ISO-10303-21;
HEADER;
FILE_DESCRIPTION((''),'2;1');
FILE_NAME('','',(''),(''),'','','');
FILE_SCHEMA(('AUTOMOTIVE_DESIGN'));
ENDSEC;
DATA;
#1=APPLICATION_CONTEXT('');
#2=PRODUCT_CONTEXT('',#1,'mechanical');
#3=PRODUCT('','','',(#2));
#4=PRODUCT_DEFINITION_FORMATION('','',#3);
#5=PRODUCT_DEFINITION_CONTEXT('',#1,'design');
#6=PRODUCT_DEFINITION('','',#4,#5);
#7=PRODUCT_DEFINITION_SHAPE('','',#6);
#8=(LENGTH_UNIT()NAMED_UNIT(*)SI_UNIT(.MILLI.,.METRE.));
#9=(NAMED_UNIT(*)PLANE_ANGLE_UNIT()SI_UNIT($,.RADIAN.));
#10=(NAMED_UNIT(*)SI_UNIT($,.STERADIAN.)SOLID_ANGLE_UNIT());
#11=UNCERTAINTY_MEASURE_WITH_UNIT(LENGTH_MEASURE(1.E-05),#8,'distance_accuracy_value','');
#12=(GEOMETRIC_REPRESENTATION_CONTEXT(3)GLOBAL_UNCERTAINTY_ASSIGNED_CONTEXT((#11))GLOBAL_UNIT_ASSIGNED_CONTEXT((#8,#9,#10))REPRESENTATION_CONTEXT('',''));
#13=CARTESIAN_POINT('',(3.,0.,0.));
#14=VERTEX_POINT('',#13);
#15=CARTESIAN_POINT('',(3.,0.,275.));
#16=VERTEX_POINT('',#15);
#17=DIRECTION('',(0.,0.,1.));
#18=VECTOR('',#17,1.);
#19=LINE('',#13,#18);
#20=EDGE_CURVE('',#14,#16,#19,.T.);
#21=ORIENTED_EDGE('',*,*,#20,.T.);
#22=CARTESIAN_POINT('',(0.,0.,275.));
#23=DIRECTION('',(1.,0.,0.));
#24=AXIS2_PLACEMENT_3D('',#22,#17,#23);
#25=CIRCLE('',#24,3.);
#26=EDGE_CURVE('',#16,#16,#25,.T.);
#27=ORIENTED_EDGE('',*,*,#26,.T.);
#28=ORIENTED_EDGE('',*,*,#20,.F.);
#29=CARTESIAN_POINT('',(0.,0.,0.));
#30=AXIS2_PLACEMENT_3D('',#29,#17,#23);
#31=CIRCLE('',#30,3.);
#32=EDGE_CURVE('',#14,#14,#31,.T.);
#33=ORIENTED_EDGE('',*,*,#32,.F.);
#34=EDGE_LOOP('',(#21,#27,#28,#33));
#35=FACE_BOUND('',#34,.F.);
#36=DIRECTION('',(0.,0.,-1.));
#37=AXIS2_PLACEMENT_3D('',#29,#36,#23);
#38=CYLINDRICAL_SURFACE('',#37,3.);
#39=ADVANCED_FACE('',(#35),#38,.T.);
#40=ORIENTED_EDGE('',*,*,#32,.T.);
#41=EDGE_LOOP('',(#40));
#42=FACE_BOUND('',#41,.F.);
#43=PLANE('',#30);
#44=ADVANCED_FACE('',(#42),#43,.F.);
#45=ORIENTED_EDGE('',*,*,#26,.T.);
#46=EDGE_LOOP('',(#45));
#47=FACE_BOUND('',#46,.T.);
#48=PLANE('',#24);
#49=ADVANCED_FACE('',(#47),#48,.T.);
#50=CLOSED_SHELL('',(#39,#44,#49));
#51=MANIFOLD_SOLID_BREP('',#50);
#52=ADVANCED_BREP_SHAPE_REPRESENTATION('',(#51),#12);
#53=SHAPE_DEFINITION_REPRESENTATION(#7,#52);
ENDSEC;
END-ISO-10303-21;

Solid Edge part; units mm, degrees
sketch "Sketch1" plane through (0, 0, 0) normal (0, 0, 1) x (1, 0, 0)
  circle A0 centre (0, 0) radius 3
  dimension "D1" = 6
extrude "Protrusion1" add sketch "Sketch1" along normal blind 275
properties material "Steel"
